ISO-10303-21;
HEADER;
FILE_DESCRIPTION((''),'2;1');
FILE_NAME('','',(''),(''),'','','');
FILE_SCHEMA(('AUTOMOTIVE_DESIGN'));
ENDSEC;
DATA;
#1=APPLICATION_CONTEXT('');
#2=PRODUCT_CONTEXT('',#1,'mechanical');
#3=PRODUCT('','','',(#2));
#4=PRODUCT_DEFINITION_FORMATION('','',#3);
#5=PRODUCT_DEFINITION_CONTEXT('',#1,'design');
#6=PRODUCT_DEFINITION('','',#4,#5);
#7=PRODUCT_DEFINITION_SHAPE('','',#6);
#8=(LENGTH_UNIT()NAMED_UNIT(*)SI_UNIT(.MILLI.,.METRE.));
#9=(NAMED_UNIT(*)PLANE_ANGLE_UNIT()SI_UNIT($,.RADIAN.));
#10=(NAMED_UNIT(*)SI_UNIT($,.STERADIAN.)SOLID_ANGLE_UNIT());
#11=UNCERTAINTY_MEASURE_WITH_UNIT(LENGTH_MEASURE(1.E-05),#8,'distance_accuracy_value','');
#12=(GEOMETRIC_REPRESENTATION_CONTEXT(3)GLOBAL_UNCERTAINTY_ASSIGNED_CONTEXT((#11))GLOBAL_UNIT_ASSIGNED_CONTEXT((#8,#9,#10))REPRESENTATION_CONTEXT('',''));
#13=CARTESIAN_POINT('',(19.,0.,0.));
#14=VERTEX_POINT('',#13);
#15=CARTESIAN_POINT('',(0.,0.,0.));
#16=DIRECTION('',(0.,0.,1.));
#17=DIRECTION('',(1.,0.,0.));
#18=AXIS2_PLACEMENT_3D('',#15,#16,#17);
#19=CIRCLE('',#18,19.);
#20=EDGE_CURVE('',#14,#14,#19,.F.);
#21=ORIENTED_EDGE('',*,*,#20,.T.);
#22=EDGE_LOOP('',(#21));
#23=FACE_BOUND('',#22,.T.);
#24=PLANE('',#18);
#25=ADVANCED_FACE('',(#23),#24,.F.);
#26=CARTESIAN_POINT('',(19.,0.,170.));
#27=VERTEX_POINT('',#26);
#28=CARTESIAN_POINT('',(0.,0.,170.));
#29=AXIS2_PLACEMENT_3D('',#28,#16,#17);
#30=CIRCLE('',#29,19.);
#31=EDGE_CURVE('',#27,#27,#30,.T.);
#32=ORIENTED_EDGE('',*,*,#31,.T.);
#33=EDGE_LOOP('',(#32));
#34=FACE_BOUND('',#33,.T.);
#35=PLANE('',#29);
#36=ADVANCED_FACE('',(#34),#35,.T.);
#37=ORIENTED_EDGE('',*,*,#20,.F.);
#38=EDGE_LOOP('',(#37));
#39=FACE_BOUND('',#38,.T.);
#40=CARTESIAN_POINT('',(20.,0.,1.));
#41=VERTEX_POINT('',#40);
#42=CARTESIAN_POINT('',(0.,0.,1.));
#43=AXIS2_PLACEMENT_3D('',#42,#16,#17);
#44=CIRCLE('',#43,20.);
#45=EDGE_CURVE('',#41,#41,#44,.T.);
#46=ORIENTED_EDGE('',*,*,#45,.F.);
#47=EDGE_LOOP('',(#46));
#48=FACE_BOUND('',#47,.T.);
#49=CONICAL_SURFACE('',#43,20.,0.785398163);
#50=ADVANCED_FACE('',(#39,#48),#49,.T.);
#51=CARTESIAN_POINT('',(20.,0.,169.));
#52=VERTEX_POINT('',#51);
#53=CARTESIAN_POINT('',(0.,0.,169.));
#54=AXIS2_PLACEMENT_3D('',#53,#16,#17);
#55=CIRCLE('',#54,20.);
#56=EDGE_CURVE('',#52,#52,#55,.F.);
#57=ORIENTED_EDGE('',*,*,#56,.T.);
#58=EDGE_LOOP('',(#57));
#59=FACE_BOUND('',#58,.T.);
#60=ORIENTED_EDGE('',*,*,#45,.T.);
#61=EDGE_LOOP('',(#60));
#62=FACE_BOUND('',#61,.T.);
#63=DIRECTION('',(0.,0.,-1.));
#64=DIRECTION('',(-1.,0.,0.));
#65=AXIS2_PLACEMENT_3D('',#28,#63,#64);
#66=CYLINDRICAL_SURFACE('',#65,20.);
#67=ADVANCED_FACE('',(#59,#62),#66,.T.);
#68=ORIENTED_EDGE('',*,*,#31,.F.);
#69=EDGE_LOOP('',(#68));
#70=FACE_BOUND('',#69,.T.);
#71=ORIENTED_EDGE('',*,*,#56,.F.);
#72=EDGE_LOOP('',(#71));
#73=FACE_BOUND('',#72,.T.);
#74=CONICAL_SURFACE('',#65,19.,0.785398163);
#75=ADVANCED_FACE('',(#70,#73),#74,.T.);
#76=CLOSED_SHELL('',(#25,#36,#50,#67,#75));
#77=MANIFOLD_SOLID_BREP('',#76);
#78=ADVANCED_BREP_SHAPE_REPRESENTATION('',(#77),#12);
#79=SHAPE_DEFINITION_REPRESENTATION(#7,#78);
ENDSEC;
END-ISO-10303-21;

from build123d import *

# Parameters (mm, degrees)
SKETCH1_R           = 20
BOSS_EXTRUDE1_DEPTH = 170
CHAMFER1_SIZE       = 1


with BuildPart() as part:
    # Sketch1 → Boss-Extrude1 (new body)
    with BuildSketch(Plane.XY):
        Circle(SKETCH1_R)
    extrude(amount=BOSS_EXTRUDE1_DEPTH)

    # Chamfer1
    chamfer1_edges = [part.edges().sort_by_distance(p)[0] for p in [
        (-20, 0, 0),
        (-20, 0, 170),
    ]]
    chamfer(chamfer1_edges, length=CHAMFER1_SIZE)


solid = part.part
